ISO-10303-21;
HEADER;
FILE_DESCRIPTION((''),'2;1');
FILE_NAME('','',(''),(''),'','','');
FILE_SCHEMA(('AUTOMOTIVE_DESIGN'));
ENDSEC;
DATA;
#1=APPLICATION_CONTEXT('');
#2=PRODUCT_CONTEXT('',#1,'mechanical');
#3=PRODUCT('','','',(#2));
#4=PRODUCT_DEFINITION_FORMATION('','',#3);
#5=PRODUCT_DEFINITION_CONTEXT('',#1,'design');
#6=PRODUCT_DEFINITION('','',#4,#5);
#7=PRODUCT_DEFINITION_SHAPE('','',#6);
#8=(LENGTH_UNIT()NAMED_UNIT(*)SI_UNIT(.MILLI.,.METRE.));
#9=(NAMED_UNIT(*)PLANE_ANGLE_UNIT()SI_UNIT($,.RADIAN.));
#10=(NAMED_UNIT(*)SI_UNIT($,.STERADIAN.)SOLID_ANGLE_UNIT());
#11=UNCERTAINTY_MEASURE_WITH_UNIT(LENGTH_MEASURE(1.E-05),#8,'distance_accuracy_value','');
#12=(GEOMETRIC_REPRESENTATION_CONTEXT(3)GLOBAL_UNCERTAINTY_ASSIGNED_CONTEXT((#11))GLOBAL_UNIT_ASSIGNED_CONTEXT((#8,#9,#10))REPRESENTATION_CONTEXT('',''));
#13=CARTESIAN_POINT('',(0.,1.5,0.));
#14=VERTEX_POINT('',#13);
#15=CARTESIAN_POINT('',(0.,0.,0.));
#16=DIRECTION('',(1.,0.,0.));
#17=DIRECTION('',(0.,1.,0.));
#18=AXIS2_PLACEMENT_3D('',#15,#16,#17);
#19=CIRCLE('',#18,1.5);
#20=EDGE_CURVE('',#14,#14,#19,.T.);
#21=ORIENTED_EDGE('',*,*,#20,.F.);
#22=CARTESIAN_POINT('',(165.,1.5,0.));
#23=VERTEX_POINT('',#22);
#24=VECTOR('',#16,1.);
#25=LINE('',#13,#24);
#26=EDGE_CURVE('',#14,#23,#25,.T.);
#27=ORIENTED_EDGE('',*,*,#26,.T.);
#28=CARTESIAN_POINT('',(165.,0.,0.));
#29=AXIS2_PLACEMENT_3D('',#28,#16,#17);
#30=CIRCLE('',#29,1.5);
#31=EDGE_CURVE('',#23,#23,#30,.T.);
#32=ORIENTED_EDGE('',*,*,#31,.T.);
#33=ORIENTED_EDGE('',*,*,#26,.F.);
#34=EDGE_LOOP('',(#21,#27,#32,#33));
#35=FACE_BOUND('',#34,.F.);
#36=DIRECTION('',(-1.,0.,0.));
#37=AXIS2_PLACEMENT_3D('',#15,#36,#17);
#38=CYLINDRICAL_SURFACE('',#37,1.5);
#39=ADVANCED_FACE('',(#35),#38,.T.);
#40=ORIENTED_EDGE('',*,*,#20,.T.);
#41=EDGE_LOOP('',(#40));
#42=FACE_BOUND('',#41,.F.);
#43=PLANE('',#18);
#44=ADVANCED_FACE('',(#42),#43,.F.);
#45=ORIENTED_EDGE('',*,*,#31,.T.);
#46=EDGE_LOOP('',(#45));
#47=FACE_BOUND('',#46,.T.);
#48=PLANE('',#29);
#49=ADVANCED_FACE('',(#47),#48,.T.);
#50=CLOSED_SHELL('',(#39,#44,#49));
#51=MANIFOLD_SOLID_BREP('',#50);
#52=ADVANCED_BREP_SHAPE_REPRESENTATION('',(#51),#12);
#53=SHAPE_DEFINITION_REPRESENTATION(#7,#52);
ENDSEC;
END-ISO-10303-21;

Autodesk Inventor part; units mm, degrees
ref_plane "YZ Plane" through (0, 0, 0) normal (1, 0, 0) x (0, 1, 0)
ref_plane "XZ Plane" through (0, 0, 0) normal (0, 1, 0) x (-1, 0, 0)
ref_plane "XY Plane" through (0, 0, 0) normal (0, 0, 1) x (1, 0, 0)
sketch "Sketch2" plane through (0, 0, 0) normal (1, 0, 0) x (0, 1, 0)
  circle A0 centre (0, 0) radius 1.5
  dimension "d0" = 3
extrude "Extrusion1" add sketch "Sketch2" along normal blind 165
properties part number "beam small 101" material "Laser"
